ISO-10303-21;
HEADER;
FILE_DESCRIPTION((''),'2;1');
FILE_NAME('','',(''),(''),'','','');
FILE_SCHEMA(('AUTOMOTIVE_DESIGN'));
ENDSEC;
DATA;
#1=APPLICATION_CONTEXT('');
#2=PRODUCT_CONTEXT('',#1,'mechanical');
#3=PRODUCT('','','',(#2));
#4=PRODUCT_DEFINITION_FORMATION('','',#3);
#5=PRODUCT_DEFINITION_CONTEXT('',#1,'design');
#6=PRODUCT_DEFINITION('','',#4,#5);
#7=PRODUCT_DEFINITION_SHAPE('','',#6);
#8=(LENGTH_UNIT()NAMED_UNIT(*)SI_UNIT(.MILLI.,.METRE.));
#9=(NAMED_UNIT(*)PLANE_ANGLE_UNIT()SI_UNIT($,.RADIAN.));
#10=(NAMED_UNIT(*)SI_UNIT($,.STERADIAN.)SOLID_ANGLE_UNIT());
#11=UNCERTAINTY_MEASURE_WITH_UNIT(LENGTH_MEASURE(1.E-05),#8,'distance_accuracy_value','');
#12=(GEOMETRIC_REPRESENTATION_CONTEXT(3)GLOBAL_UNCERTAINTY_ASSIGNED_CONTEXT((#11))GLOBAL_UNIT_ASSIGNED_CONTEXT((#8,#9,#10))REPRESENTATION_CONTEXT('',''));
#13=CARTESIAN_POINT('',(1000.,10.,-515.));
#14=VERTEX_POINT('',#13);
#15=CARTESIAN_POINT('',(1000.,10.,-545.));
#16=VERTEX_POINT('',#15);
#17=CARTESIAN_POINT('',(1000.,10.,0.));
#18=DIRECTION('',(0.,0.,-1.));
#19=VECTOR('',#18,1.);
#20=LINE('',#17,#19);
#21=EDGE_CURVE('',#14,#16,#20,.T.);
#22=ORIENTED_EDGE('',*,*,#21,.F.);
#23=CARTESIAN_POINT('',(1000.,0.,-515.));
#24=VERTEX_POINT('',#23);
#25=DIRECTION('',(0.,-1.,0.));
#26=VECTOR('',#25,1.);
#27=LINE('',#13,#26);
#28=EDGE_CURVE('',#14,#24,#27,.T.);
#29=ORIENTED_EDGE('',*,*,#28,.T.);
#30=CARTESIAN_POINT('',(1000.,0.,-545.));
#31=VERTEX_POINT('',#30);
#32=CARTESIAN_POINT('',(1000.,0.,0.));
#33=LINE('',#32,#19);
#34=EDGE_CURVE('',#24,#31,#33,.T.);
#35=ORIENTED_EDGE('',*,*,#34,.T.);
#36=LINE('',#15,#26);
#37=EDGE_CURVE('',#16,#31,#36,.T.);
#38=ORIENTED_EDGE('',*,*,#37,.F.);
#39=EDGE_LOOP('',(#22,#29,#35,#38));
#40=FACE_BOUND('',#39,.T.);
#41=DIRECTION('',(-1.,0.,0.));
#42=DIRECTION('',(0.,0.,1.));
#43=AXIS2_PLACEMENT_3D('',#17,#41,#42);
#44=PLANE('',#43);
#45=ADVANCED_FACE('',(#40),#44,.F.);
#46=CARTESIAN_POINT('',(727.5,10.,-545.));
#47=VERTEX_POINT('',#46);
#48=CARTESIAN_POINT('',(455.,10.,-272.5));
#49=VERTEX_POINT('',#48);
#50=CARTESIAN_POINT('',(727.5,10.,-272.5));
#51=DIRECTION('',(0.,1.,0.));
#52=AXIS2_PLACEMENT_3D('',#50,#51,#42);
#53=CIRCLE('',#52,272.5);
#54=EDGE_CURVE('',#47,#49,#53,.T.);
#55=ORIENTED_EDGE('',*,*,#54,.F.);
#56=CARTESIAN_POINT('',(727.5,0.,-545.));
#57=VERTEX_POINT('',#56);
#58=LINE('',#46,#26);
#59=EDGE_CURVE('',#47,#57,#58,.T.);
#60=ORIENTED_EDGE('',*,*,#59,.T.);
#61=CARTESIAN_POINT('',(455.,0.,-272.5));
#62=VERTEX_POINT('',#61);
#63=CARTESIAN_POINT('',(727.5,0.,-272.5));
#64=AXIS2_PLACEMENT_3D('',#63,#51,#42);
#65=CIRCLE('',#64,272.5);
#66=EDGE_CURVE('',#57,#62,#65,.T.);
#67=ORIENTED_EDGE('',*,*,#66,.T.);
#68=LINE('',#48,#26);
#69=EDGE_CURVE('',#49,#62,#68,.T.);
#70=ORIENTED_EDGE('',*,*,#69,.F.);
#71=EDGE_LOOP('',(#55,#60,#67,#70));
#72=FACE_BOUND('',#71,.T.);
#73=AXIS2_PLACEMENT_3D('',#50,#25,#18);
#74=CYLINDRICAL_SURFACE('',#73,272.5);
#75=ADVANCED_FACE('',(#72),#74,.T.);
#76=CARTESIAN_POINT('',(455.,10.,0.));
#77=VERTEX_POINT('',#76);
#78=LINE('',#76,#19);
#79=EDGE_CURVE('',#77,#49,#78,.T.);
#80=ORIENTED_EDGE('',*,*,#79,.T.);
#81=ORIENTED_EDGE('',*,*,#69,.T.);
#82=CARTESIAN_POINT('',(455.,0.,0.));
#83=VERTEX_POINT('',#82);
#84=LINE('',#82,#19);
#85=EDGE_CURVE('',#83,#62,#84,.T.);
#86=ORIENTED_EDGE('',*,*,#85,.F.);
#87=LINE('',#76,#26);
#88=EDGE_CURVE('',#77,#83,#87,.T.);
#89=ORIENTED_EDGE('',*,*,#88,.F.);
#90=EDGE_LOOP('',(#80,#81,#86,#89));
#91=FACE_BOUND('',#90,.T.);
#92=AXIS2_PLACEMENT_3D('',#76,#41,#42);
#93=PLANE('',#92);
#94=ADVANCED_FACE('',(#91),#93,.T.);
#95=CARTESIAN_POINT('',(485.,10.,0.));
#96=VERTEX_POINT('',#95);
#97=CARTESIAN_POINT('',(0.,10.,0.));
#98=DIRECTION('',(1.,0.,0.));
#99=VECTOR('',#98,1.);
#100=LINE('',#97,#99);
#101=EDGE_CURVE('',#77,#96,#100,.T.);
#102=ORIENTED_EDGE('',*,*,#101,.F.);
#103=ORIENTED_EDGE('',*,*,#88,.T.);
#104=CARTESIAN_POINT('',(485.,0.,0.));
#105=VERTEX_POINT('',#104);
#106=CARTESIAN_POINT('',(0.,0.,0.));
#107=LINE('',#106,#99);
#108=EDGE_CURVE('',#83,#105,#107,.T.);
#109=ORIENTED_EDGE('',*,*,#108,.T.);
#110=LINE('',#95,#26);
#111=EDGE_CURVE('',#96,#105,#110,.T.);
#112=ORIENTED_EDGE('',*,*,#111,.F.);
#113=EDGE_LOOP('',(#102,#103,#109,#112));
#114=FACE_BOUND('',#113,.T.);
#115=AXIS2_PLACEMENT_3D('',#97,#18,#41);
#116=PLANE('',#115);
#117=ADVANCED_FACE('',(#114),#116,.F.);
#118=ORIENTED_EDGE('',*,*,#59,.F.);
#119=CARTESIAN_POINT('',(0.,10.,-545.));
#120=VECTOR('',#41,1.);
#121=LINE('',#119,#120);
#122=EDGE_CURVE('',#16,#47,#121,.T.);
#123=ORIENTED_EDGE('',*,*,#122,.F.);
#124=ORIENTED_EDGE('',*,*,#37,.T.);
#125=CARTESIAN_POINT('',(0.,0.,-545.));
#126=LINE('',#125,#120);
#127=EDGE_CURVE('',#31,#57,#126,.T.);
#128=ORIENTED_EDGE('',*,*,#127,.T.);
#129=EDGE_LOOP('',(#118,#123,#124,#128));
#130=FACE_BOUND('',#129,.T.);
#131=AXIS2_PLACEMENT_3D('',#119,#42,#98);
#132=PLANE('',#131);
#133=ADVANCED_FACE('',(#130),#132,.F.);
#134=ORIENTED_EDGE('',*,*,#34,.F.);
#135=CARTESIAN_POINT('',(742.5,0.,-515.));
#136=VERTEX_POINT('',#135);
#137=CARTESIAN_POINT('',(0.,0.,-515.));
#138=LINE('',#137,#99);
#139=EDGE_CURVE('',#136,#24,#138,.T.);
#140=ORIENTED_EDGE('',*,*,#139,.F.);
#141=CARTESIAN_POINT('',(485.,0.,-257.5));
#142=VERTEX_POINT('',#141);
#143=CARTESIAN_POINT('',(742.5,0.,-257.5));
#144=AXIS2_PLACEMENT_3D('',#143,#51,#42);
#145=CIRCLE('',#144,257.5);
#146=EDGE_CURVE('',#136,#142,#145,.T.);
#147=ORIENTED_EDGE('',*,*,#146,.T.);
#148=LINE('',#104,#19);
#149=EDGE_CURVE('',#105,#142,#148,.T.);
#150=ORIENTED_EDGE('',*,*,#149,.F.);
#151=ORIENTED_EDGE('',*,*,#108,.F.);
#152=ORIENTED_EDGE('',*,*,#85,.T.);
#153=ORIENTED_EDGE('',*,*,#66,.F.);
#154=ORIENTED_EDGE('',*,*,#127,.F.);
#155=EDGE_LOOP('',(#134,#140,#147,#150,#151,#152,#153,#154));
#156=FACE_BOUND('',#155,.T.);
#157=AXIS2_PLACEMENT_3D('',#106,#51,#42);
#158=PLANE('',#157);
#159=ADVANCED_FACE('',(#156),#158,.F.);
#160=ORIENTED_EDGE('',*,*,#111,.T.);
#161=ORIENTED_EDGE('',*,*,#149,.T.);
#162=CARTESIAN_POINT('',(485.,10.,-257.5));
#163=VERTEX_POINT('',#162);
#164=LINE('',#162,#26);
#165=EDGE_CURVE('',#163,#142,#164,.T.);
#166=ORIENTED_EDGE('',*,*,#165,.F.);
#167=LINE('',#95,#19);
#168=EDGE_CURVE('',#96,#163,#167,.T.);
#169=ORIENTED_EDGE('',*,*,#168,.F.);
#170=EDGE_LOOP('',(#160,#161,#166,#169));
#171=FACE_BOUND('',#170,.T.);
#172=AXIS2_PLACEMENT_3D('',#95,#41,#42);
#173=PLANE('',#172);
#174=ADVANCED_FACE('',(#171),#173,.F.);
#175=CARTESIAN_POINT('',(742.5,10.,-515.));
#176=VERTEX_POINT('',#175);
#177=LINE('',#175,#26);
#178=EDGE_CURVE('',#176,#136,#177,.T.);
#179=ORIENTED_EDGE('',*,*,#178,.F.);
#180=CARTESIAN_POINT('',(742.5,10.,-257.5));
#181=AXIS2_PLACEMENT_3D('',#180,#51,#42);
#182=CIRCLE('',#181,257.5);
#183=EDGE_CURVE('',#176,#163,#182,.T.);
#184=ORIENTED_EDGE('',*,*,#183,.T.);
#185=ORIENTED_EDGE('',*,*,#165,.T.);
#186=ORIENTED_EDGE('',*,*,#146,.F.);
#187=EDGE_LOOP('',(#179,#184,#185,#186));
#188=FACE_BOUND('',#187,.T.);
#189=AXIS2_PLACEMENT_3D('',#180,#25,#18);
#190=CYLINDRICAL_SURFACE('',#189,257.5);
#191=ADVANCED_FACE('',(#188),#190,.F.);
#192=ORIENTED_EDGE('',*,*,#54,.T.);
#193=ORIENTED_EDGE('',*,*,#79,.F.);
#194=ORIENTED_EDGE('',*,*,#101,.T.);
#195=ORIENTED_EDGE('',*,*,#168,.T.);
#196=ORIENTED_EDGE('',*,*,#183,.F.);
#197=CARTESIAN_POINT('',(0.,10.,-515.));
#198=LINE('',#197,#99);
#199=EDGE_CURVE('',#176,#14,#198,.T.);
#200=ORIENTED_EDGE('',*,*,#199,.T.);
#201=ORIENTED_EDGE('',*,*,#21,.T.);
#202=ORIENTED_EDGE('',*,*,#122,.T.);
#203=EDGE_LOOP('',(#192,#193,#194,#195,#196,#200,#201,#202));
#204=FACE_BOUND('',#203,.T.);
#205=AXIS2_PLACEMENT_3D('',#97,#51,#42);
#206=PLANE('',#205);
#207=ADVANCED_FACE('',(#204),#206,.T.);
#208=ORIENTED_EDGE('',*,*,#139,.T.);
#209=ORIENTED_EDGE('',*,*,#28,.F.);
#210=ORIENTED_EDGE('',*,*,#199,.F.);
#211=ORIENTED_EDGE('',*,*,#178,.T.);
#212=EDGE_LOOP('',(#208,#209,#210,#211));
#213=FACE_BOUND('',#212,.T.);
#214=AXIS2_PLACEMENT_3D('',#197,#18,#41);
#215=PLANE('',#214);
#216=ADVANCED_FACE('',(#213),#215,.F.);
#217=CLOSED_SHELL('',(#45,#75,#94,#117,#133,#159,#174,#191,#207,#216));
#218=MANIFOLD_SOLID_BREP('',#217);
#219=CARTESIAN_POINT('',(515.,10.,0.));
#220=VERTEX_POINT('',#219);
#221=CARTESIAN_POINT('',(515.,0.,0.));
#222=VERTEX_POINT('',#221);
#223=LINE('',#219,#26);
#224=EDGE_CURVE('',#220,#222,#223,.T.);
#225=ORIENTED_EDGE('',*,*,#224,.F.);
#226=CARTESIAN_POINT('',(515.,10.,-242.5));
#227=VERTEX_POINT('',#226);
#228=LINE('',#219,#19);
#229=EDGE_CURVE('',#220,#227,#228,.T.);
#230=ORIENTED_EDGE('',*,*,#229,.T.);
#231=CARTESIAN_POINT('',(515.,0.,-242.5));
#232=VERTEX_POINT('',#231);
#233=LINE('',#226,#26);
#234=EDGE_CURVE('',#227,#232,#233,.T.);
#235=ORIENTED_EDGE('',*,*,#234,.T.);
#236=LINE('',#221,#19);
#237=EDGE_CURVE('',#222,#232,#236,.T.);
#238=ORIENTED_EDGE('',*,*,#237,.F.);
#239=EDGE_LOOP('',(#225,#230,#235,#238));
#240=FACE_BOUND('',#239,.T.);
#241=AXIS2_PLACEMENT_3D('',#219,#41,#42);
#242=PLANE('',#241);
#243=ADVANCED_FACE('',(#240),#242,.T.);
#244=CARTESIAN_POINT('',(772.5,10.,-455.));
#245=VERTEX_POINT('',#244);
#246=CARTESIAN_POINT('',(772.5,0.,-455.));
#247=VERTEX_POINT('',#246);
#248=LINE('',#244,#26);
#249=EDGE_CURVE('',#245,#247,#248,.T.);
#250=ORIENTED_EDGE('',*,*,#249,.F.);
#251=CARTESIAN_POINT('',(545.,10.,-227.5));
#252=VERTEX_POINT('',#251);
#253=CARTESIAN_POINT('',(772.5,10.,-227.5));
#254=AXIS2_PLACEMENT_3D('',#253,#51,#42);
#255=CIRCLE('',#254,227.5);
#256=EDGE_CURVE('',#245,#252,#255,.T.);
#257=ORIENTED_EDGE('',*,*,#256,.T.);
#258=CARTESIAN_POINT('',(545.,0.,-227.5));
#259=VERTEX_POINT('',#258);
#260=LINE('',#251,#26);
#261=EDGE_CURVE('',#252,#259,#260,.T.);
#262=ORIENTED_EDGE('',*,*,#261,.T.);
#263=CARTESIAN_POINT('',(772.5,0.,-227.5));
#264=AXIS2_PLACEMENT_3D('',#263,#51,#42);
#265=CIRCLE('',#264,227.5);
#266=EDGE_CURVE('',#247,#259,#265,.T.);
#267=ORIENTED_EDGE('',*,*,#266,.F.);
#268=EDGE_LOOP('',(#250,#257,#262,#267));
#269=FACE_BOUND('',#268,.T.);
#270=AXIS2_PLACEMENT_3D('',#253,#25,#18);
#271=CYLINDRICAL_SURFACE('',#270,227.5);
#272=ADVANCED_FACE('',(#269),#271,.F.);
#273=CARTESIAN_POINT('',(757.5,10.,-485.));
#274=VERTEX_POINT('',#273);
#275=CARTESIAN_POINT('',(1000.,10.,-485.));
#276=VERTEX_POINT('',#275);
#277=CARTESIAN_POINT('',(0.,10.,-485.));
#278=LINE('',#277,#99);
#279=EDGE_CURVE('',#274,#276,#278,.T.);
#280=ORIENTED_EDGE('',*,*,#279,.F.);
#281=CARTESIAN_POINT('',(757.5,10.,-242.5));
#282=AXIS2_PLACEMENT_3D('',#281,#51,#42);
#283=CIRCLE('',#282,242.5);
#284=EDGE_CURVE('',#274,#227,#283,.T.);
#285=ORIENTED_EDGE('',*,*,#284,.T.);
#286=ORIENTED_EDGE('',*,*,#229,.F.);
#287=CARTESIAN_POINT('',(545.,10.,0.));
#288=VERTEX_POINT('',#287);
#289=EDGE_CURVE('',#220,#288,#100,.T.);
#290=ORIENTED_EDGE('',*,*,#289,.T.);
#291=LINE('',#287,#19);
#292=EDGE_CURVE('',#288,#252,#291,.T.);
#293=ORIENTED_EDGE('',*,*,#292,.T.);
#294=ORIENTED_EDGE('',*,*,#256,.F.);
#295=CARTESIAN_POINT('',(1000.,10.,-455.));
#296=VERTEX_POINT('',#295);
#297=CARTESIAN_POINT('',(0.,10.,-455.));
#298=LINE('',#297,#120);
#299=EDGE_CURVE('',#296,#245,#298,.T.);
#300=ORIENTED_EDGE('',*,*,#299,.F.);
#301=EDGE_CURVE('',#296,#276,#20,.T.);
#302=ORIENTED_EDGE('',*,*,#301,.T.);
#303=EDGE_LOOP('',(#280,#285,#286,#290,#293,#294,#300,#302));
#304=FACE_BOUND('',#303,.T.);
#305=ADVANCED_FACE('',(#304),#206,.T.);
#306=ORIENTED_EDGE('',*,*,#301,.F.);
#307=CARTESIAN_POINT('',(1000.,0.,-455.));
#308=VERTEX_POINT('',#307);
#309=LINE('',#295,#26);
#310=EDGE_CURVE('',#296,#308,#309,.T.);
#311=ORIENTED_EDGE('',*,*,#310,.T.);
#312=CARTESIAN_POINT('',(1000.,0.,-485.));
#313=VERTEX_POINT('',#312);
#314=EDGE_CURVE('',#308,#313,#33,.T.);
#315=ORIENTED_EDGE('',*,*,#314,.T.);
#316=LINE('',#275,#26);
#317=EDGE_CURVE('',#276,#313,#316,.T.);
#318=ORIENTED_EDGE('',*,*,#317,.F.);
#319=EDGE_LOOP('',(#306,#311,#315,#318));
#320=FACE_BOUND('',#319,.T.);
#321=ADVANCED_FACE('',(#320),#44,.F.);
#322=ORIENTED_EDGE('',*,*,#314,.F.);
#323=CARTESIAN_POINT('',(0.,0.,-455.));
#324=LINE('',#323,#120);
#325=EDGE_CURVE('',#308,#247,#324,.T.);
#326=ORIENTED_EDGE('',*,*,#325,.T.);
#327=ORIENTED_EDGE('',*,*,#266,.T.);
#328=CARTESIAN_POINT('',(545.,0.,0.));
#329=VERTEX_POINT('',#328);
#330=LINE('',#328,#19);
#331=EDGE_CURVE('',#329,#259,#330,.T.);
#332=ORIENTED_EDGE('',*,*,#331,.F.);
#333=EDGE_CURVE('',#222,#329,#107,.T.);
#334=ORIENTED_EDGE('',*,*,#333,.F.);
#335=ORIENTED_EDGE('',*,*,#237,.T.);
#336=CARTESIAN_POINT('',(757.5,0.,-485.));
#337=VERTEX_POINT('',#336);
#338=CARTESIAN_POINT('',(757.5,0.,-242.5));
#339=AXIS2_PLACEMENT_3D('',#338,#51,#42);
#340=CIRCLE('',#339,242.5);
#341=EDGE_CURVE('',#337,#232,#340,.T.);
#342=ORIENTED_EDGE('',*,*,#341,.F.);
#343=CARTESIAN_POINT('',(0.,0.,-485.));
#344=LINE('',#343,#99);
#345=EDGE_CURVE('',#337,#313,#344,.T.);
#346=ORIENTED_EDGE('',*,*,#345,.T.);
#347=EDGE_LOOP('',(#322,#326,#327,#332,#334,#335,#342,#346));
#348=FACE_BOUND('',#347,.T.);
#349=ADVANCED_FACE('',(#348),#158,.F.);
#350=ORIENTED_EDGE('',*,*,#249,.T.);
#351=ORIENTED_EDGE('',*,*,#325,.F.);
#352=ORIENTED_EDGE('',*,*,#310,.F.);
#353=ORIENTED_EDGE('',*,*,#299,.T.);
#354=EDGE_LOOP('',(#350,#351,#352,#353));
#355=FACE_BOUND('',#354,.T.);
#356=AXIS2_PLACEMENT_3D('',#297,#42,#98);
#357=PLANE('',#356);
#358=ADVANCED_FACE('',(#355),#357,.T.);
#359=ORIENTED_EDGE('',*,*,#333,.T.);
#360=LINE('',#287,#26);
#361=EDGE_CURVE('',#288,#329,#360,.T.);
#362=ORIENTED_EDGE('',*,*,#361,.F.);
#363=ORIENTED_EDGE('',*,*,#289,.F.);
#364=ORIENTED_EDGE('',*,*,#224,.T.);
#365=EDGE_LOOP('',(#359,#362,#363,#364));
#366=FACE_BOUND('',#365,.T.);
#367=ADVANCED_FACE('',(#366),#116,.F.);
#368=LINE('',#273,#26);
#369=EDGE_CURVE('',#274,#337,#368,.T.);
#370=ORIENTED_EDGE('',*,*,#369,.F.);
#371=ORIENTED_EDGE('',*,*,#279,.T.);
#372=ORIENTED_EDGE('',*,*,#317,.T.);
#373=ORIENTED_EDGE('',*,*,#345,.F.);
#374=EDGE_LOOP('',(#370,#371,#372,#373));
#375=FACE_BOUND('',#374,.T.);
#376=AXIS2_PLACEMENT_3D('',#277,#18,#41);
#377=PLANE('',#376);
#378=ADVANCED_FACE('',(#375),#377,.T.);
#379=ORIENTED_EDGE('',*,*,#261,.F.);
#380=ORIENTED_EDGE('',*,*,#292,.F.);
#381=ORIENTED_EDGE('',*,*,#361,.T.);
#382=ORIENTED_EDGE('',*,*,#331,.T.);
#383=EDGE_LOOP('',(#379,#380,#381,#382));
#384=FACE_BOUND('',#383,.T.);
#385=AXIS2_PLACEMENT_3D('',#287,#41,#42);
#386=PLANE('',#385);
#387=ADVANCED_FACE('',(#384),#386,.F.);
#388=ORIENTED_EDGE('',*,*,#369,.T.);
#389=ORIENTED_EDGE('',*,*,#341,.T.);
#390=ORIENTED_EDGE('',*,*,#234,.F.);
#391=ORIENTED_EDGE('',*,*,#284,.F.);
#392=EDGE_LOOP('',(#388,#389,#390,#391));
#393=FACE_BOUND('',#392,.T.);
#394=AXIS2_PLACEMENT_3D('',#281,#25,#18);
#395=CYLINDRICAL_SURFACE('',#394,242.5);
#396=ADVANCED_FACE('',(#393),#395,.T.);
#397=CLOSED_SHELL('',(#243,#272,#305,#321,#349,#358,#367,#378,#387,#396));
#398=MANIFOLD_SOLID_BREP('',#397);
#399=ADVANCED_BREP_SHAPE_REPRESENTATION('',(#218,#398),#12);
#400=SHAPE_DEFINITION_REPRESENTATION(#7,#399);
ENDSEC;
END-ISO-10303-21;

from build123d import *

# Parameters (mm, degrees)
BOSS_EXTRUDE1_DEPTH   = 10
BOSS_EXTRUDE1_2_DEPTH = 10


with BuildPart() as part:
    # Sketch2 → Boss-Extrude1 (new body)
    with BuildSketch(Plane(origin=(0, 0, 0), x_dir=(1, 0, 0), z_dir=(0, 1, 0))):
        with BuildLine():
            Line((455, 272.5), (455, 0))
            Line((455, 0), (485, 0))
            Line((485, 0), (485, 257.5))
            ThreePointArc((485, 257.5), (560.420003844, 439.579996156), (742.5, 515))
            Line((742.5, 515), (1000, 515))
            Line((1000, 515), (1000, 545))
            Line((1000, 545), (727.5, 545))
            ThreePointArc((727.5, 545), (534.813402127, 465.186597873), (455, 272.5))
        make_face()
    extrude(amount=BOSS_EXTRUDE1_DEPTH)


with BuildPart() as body_2:
    # Sketch2 → Boss-Extrude1 2 (new body)
    with BuildSketch(Plane(origin=(0, 0, 0), x_dir=(1, 0, 0), z_dir=(0, 1, 0))):
        with BuildLine():
            Line((515, 242.5), (515, 0))
            Line((515, 0), (545, 0))
            Line((545, 0), (545, 227.5))
            ThreePointArc((545, 227.5), (611.63320728, 388.36679272), (772.5, 455))
            Line((772.5, 455), (1000, 455))
            Line((1000, 455), (1000, 485))
            Line((1000, 485), (757.5, 485))
            ThreePointArc((757.5, 485), (586.026605562, 413.973394438), (515, 242.5))
        make_face()
    extrude(amount=BOSS_EXTRUDE1_2_DEPTH)


solid = Compound([part.part, body_2.part])
